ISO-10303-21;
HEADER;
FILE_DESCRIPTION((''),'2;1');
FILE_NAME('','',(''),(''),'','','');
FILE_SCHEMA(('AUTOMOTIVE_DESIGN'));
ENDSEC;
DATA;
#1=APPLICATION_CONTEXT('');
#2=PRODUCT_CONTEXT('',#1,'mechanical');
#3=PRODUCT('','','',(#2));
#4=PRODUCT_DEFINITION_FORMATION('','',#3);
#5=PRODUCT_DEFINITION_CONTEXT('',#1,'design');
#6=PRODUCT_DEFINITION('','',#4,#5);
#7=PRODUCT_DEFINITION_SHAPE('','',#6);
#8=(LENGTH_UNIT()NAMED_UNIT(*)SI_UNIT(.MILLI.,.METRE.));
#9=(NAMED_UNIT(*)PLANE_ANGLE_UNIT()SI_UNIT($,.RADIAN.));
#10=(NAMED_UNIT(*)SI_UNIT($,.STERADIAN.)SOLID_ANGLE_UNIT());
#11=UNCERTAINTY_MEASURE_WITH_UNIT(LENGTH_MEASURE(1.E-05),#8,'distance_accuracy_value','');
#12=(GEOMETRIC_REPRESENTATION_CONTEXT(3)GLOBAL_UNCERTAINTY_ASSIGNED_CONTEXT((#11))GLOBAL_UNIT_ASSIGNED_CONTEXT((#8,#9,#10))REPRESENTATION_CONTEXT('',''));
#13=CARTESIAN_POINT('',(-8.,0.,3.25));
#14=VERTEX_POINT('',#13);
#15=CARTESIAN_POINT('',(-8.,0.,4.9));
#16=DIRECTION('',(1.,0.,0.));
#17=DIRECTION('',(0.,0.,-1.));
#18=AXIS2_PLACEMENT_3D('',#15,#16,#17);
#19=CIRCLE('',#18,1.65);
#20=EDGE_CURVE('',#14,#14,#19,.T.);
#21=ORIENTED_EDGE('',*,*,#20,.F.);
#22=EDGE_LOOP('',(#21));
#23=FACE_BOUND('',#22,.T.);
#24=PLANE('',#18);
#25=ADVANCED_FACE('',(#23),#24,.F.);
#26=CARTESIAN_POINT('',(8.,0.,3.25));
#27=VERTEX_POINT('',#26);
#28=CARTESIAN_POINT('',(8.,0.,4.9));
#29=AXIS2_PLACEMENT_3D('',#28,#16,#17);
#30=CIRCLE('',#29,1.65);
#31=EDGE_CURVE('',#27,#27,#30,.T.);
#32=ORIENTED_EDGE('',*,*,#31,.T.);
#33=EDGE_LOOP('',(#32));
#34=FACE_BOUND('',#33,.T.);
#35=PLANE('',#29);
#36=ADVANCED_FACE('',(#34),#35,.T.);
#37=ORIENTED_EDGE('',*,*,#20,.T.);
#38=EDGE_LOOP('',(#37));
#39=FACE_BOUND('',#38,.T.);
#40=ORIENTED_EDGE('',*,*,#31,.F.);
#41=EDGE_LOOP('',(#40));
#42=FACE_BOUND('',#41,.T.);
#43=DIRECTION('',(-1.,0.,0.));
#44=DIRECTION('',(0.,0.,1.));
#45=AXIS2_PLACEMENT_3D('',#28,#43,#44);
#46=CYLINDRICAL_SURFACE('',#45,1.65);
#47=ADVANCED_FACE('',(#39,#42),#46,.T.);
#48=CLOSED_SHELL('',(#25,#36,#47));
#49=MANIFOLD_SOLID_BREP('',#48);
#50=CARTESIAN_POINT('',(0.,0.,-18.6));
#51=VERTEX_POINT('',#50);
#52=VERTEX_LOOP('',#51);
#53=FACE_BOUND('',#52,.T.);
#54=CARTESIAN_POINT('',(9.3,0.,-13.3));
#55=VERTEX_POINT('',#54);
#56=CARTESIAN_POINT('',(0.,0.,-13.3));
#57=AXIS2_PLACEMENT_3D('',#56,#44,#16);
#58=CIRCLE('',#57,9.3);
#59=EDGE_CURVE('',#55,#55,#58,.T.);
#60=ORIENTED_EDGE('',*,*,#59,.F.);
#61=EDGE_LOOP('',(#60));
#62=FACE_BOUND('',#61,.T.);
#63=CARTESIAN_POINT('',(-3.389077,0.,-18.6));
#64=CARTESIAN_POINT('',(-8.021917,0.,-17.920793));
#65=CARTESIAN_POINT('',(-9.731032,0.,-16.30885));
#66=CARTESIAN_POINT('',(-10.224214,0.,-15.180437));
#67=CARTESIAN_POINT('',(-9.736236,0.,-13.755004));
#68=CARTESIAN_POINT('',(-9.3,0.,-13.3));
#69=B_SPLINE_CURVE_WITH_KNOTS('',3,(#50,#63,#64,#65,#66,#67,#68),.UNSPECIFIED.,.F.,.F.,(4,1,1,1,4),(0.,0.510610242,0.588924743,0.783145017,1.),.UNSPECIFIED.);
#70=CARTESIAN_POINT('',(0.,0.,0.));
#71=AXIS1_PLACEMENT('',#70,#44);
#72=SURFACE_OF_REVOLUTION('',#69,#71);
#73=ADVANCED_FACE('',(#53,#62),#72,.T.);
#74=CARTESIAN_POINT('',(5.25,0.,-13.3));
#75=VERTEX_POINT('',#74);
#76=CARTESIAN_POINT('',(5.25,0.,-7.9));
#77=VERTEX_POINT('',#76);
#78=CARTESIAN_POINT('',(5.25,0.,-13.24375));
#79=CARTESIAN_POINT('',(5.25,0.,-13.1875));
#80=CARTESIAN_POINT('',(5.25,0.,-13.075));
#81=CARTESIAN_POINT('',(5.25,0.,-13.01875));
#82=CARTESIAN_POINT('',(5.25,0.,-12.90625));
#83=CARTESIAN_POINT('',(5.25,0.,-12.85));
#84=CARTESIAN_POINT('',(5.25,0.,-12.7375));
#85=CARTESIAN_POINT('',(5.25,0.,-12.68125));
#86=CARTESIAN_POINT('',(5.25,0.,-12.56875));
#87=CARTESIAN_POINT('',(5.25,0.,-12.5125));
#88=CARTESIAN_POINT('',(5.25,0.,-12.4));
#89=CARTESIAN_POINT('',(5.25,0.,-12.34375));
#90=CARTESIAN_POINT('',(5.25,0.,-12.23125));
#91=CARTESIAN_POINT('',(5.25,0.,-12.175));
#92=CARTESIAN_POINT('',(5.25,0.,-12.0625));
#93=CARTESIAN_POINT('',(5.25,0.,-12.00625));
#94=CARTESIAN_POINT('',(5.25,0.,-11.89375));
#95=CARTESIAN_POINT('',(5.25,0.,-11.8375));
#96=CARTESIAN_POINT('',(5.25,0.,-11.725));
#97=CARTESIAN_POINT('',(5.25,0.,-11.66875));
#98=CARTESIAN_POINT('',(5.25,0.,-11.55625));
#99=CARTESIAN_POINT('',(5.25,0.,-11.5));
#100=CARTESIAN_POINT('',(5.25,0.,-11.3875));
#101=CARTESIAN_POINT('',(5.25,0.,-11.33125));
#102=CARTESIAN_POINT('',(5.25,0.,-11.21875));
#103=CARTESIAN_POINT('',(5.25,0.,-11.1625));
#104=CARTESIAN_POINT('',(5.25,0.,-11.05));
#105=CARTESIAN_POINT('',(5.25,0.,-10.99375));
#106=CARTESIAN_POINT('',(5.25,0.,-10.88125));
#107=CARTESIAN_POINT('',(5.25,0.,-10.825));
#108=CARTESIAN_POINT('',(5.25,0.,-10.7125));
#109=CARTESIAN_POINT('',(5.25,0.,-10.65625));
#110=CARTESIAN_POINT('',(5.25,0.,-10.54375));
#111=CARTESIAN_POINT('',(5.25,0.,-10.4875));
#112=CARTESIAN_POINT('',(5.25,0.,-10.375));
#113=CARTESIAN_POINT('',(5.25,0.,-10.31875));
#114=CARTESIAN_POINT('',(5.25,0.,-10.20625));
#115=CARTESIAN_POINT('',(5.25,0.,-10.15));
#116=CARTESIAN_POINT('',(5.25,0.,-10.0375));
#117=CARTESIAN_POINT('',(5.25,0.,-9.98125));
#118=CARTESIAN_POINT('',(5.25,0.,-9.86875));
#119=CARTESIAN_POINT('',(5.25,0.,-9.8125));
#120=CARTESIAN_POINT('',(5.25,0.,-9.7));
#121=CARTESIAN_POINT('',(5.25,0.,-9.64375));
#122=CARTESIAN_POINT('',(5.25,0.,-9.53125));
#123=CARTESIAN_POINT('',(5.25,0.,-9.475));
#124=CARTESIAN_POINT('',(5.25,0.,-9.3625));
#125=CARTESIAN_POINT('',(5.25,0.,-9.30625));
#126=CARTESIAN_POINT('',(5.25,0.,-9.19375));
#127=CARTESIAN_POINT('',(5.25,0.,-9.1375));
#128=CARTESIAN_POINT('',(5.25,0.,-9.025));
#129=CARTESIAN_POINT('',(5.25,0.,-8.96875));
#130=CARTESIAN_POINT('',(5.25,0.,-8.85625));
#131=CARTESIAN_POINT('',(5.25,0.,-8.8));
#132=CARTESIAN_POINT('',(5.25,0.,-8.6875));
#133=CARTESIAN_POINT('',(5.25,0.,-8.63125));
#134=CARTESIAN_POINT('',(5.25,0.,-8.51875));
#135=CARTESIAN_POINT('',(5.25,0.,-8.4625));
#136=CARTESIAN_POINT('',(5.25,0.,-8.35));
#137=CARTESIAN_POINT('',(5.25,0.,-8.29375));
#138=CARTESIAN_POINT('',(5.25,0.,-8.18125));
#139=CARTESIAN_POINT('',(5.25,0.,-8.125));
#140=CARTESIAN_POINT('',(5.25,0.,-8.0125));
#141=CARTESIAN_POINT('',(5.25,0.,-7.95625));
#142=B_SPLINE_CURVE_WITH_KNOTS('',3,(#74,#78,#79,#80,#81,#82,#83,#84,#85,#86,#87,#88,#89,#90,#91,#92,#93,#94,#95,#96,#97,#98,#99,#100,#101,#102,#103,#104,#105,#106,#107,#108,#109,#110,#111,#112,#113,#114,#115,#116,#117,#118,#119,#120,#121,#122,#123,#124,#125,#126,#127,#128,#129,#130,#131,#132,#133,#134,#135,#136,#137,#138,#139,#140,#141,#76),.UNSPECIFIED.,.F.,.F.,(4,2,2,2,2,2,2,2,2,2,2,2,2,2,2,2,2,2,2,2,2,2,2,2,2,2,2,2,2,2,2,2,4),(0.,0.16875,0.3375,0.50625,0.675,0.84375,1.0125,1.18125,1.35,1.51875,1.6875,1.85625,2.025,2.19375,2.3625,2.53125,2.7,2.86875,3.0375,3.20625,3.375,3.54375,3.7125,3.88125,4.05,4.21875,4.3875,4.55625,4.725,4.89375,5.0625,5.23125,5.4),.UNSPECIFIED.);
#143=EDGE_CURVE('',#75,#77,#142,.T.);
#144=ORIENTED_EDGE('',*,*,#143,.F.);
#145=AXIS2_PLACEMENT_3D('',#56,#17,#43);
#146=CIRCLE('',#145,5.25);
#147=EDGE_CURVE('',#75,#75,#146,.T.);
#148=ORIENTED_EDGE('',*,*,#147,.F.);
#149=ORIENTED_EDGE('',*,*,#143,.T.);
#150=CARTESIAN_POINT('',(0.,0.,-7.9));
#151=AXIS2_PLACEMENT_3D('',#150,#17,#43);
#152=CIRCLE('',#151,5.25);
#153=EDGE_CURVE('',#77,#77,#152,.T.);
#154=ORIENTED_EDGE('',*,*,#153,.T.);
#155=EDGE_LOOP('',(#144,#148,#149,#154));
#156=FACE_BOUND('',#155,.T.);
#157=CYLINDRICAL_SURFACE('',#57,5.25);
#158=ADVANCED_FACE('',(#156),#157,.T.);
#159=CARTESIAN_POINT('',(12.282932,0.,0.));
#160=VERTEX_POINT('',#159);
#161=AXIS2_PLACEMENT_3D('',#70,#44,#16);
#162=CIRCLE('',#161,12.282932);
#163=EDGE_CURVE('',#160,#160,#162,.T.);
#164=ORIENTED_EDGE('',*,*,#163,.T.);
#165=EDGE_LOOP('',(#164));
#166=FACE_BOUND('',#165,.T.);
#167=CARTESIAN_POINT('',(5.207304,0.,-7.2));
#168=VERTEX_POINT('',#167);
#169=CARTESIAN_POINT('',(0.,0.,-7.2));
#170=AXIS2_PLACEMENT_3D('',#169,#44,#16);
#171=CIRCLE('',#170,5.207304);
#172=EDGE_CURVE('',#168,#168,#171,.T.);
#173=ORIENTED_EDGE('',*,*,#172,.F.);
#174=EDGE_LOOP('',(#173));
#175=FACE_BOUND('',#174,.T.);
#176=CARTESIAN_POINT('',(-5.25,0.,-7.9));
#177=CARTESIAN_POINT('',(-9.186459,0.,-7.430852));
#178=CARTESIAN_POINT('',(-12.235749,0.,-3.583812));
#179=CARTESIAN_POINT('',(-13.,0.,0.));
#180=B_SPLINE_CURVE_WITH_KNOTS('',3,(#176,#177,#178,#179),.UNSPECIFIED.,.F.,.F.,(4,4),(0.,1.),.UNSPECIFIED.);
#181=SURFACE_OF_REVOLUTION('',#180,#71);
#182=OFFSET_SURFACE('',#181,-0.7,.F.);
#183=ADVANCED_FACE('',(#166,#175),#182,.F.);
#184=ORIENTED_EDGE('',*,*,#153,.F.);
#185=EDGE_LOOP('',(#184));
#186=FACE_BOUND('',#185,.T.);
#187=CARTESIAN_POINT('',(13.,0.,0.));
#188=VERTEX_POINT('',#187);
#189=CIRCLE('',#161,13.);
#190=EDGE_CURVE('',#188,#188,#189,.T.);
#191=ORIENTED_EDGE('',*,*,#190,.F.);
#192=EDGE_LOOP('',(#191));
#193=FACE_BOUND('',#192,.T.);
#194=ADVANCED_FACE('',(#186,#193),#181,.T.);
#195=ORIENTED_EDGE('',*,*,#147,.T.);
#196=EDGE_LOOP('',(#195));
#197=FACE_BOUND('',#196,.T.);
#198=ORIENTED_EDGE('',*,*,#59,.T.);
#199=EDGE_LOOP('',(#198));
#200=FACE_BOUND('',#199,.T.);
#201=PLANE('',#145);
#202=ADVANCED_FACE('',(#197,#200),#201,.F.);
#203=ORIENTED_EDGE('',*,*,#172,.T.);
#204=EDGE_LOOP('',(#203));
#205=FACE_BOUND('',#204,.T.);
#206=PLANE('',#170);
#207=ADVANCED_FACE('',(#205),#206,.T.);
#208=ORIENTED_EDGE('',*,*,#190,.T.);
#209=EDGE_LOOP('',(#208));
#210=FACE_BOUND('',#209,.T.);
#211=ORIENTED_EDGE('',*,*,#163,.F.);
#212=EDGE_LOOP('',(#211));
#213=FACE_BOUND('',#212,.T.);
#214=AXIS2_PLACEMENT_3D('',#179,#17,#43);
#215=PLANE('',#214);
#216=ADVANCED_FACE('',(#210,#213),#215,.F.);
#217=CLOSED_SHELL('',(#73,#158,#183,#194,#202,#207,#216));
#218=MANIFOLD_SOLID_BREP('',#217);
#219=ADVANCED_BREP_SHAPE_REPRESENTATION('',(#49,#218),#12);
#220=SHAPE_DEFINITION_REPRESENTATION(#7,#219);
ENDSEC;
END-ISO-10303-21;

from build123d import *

# Parameters (mm, degrees)
SHELL1_T            = -0.7
SKETCH2_R           = 5.25
BOSS_EXTRUDE1_DEPTH = 5.4
SKETCH4_R           = 1.65
BOSS_EXTRUDE2_DEPTH = 8


with BuildPart() as part:
    # Sketch1 → Revolve1 (revolve)
    with BuildSketch(Plane(origin=(0, 0, 0), x_dir=(1, 0, 0), z_dir=(0, 1, 0))):
        with BuildLine():
            Line((-13, 0), (0, 0))
            Line((0, 0), (0, 7.9))
            Line((0, 7.9), (-5.25, 7.9))
            add(Edge.make_bspline(
                [(-5.25, 7.9), (-9.186458611, 7.430852086), (-12.235748674, 3.583812434), (-13, 0)],
                knots=[0, 0, 0, 0, 1, 1, 1, 1], degree=3))
        make_face()
    revolve(axis=Axis((0, 0, 0), (0, 0, -1)))

    # Shell1
    shell1_openings = [part.faces().sort_by_distance(p)[0] for p in [
        (0, 0, 0),
    ]]
    offset(amount=SHELL1_T, openings=shell1_openings, kind=Kind.INTERSECTION)

    # Sketch2 → Boss-Extrude1 (add)
    with BuildSketch(Plane(origin=(0, 0, -7.9), x_dir=(-1, 0, 0), z_dir=(0, 0, -1))):
        with Locations(Location((0, 0, 0), (0, 0, 180))):
            Circle(SKETCH2_R)
    extrude(amount=BOSS_EXTRUDE1_DEPTH)

    # Sketch3 → Revolve2 (revolve)
    with BuildSketch(Plane(origin=(0, 0, 0), x_dir=(1, 0, 0), z_dir=(0, 1, 0))):
        with BuildLine():
            Line((0, 13.3), (-9.3, 13.3))
            add(Edge.make_bspline(
                [(-9.3, 13.3), (-9.736235745, 13.755003631), (-10.224214241, 15.180437203), (-9.731031698, 16.308849724), (-8.021916977, 17.920792712), (-3.389077274, 18.6), (0, 18.6)],
                knots=[0, 0, 0, 0, 0.216854983, 0.411075257, 0.489389758, 1, 1, 1, 1], degree=3))
            Line((0, 18.6), (0, 13.3))
        make_face()
    revolve(axis=Axis((0, 0, 0), (0, 0, -1)))


with BuildPart() as body_2:
    # Sketch4 → Boss-Extrude2 (new, symmetric)
    with BuildSketch(Plane(origin=(0, 0, 0), x_dir=(0, 0, -1), z_dir=(1, 0, 0))):
        with Locations((-4.9, 0)):
            Circle(SKETCH4_R)
    extrude(amount=BOSS_EXTRUDE2_DEPTH, both=True)


solid = Compound([part.part, body_2.part])
